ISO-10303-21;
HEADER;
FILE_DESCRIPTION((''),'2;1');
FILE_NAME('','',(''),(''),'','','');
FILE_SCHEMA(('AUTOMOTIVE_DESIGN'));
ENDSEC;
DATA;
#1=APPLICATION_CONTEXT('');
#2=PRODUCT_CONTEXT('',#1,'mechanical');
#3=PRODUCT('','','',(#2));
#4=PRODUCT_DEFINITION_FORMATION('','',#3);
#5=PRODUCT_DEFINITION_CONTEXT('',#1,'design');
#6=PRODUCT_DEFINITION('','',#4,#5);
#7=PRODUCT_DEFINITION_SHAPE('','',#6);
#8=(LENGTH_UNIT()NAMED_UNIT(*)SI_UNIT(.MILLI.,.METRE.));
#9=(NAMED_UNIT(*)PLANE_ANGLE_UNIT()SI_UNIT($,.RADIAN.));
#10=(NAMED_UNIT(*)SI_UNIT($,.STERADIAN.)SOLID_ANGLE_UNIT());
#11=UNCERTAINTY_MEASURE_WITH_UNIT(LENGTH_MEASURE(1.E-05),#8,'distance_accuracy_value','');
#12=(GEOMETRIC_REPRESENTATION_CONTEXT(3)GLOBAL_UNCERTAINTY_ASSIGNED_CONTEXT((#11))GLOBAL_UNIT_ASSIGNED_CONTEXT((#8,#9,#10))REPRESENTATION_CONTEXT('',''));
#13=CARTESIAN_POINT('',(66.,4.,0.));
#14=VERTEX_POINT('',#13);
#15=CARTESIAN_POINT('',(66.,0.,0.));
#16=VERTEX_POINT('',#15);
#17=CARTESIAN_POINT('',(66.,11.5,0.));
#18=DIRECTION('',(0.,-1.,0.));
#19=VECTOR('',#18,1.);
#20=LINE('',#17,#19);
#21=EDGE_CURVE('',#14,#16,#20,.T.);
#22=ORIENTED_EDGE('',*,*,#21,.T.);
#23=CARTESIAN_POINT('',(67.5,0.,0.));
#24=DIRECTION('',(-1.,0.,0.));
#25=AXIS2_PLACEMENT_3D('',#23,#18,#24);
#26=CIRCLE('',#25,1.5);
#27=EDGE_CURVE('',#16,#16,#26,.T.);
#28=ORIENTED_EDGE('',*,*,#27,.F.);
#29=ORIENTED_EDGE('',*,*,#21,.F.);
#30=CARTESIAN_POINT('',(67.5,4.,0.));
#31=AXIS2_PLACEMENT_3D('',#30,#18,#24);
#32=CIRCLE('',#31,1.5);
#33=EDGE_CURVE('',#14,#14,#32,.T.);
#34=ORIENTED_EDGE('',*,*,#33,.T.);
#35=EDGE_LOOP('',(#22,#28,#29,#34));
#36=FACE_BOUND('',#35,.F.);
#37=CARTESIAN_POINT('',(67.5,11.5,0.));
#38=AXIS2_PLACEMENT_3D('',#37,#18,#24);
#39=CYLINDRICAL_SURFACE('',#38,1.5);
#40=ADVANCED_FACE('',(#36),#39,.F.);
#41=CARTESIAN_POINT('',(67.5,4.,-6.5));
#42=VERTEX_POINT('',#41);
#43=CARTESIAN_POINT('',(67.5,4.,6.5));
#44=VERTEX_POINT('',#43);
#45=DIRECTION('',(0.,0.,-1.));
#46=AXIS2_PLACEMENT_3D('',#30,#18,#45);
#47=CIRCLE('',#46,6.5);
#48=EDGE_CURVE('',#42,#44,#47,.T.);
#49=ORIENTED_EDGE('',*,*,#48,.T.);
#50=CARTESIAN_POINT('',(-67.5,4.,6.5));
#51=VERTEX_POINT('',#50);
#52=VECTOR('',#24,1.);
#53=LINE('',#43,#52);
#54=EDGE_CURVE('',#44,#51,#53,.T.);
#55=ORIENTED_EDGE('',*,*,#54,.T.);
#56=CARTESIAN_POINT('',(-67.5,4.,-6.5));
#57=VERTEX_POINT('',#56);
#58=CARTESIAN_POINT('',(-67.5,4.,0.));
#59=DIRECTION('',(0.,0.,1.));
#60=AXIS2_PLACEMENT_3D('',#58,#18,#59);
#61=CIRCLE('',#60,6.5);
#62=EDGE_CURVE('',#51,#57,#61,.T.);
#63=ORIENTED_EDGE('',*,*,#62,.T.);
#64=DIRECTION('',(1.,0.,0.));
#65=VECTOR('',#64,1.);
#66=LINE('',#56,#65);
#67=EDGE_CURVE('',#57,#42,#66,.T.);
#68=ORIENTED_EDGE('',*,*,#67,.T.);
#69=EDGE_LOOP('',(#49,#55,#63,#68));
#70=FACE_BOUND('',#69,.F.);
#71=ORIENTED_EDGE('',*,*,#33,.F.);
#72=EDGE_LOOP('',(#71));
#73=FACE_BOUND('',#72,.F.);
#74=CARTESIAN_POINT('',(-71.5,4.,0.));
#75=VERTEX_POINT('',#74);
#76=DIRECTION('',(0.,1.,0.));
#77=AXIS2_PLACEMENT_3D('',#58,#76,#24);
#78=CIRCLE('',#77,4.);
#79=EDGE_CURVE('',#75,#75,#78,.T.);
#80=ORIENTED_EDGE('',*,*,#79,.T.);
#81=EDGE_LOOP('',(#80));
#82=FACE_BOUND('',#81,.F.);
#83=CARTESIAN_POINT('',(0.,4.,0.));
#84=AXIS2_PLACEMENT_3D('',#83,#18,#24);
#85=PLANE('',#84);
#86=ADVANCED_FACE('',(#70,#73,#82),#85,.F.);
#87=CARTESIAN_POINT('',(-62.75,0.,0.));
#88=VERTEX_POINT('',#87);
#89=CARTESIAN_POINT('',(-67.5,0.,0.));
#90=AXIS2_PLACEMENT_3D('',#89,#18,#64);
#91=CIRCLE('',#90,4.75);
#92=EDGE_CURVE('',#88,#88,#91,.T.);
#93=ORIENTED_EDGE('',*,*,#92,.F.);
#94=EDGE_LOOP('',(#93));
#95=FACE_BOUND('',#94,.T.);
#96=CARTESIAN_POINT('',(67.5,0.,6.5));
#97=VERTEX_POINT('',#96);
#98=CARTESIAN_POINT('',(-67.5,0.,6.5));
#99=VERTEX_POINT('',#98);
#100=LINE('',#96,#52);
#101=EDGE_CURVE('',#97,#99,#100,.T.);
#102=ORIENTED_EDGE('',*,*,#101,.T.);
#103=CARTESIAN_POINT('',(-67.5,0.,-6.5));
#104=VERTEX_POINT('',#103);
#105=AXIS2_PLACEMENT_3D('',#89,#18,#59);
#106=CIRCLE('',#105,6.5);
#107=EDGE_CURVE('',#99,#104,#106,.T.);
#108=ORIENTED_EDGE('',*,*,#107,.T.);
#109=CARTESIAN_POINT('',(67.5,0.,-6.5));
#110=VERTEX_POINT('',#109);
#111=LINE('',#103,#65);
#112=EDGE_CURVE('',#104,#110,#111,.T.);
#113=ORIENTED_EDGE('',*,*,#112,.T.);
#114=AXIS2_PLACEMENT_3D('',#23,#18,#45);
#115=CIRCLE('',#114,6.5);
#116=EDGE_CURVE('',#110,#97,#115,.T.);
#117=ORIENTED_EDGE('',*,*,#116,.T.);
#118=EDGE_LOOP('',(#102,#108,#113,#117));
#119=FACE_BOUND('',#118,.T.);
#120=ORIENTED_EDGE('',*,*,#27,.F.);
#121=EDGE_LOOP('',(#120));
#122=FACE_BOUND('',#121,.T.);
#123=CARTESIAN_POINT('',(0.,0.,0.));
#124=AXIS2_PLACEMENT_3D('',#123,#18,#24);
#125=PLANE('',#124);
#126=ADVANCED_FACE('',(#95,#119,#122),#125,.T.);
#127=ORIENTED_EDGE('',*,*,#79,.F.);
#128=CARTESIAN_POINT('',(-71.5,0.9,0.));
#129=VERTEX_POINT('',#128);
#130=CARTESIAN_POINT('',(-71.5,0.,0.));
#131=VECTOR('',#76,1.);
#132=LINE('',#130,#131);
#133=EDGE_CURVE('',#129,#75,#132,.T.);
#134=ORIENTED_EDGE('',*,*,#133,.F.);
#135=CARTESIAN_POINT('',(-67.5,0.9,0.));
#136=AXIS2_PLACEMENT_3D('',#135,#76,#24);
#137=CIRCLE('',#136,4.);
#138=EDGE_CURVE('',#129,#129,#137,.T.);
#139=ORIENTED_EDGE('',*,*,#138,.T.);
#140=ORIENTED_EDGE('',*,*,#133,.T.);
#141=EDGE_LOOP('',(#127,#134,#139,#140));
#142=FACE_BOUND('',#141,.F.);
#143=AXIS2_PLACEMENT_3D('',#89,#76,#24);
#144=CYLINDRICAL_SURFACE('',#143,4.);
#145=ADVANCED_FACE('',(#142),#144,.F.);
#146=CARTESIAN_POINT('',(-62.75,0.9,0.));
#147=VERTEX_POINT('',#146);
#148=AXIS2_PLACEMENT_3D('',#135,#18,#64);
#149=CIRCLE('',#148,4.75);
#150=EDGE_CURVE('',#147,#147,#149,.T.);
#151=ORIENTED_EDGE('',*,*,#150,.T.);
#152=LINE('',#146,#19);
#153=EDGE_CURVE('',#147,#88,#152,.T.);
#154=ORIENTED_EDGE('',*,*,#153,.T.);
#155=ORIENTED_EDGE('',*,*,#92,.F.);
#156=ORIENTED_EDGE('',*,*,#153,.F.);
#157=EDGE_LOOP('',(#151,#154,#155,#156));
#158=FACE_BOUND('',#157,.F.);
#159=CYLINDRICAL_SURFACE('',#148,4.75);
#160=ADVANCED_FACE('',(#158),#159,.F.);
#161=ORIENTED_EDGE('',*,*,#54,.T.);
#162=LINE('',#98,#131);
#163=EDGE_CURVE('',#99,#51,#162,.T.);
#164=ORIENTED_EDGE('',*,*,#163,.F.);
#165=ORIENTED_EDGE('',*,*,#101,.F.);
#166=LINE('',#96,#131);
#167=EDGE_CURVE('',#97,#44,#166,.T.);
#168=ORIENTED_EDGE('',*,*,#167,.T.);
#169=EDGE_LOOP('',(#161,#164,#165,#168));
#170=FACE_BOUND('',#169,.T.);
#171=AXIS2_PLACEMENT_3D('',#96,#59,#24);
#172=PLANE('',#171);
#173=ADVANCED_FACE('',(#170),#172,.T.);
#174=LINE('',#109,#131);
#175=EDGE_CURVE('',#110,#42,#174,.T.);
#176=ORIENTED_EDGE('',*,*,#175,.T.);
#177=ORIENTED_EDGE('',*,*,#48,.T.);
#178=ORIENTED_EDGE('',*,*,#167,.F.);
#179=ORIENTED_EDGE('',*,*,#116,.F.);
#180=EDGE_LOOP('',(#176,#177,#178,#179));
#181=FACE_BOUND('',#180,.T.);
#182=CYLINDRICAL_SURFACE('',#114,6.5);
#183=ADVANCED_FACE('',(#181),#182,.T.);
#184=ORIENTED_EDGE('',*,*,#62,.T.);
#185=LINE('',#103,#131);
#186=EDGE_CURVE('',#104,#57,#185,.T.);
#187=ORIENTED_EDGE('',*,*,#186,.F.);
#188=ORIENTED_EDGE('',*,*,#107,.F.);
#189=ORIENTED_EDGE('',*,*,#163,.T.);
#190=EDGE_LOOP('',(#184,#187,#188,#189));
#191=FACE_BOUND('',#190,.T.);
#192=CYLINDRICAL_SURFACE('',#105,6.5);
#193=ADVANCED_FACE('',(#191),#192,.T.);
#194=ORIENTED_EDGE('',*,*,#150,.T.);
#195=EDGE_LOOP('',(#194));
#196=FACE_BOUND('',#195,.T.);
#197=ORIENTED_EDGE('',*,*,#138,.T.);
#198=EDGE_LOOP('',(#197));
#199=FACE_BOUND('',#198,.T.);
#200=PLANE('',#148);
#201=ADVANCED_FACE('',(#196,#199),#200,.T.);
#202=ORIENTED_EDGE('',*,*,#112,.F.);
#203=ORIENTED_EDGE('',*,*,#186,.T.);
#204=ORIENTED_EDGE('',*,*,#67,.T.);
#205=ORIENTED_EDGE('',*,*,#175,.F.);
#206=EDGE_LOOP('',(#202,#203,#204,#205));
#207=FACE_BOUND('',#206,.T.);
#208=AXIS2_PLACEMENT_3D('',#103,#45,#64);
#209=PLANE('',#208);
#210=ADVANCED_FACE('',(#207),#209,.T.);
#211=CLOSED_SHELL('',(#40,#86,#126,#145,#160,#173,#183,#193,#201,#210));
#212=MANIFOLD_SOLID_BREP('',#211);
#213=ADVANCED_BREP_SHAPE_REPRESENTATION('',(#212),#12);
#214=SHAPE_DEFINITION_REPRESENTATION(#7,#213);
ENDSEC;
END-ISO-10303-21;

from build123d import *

# Parameters (mm, degrees)
EXTRUDE_1_DEPTH              = 4
HOLE_WIZARD_M5_1_D           = 8
HOLE_WIZARD_M5_1_DEPTH       = 12.4
HOLE_WIZARD_M5_1_CBORE_D     = 9.5
HOLE_WIZARD_M5_1_CBORE_DEPTH = 0.9
HOLE_WIZARD_M5_1_TIP         = 2.403442476
HOLE_WIZARD_M3_1_D           = 3
HOLE_WIZARD_M3_1_DEPTH       = 7.5
HOLE_WIZARD_M3_1_TIP         = 0.901290929


with BuildPart() as part:
    # 草图1 → 凸台-拉伸1 (new body)
    with BuildSketch(Plane(origin=(0, 0, 0), x_dir=(1, 0, 0), z_dir=(0, 1, 0))):
        with BuildLine():
            Line((-67.5, 6.5), (67.5, 6.5))
            ThreePointArc((67.5, 6.5), (74, 0), (67.5, -6.5))
            Line((67.5, -6.5), (-67.5, -6.5))
            ThreePointArc((-67.5, -6.5), (-74, 0), (-67.5, 6.5))
        make_face()
    extrude(amount=EXTRUDE_1_DEPTH)

    # M5 六角头螺栓的柱形沉头孔1
    with Locations(Plane.XZ):
        with Locations((-67.5, 0)):
            CounterBoreHole(HOLE_WIZARD_M5_1_D / 2, HOLE_WIZARD_M5_1_CBORE_D / 2, HOLE_WIZARD_M5_1_CBORE_DEPTH, depth=HOLE_WIZARD_M5_1_DEPTH)
            with Locations((0, 0, -(HOLE_WIZARD_M5_1_DEPTH + HOLE_WIZARD_M5_1_TIP / 2))):  # 118° drill point
                Cone(0, HOLE_WIZARD_M5_1_D / 2, HOLE_WIZARD_M5_1_TIP, mode=Mode.SUBTRACT)

    # M3 螺纹孔1
    with Locations(Plane(origin=(0, 4, 0), x_dir=(1, 0, 0), z_dir=(0, 1, 0))):
        with Locations((67.5, 0)):
            Hole(HOLE_WIZARD_M3_1_D / 2, depth=HOLE_WIZARD_M3_1_DEPTH)
            with Locations((0, 0, -(HOLE_WIZARD_M3_1_DEPTH + HOLE_WIZARD_M3_1_TIP / 2))):  # 118° drill point
                Cone(0, HOLE_WIZARD_M3_1_D / 2, HOLE_WIZARD_M3_1_TIP, mode=Mode.SUBTRACT)


solid = part.part
